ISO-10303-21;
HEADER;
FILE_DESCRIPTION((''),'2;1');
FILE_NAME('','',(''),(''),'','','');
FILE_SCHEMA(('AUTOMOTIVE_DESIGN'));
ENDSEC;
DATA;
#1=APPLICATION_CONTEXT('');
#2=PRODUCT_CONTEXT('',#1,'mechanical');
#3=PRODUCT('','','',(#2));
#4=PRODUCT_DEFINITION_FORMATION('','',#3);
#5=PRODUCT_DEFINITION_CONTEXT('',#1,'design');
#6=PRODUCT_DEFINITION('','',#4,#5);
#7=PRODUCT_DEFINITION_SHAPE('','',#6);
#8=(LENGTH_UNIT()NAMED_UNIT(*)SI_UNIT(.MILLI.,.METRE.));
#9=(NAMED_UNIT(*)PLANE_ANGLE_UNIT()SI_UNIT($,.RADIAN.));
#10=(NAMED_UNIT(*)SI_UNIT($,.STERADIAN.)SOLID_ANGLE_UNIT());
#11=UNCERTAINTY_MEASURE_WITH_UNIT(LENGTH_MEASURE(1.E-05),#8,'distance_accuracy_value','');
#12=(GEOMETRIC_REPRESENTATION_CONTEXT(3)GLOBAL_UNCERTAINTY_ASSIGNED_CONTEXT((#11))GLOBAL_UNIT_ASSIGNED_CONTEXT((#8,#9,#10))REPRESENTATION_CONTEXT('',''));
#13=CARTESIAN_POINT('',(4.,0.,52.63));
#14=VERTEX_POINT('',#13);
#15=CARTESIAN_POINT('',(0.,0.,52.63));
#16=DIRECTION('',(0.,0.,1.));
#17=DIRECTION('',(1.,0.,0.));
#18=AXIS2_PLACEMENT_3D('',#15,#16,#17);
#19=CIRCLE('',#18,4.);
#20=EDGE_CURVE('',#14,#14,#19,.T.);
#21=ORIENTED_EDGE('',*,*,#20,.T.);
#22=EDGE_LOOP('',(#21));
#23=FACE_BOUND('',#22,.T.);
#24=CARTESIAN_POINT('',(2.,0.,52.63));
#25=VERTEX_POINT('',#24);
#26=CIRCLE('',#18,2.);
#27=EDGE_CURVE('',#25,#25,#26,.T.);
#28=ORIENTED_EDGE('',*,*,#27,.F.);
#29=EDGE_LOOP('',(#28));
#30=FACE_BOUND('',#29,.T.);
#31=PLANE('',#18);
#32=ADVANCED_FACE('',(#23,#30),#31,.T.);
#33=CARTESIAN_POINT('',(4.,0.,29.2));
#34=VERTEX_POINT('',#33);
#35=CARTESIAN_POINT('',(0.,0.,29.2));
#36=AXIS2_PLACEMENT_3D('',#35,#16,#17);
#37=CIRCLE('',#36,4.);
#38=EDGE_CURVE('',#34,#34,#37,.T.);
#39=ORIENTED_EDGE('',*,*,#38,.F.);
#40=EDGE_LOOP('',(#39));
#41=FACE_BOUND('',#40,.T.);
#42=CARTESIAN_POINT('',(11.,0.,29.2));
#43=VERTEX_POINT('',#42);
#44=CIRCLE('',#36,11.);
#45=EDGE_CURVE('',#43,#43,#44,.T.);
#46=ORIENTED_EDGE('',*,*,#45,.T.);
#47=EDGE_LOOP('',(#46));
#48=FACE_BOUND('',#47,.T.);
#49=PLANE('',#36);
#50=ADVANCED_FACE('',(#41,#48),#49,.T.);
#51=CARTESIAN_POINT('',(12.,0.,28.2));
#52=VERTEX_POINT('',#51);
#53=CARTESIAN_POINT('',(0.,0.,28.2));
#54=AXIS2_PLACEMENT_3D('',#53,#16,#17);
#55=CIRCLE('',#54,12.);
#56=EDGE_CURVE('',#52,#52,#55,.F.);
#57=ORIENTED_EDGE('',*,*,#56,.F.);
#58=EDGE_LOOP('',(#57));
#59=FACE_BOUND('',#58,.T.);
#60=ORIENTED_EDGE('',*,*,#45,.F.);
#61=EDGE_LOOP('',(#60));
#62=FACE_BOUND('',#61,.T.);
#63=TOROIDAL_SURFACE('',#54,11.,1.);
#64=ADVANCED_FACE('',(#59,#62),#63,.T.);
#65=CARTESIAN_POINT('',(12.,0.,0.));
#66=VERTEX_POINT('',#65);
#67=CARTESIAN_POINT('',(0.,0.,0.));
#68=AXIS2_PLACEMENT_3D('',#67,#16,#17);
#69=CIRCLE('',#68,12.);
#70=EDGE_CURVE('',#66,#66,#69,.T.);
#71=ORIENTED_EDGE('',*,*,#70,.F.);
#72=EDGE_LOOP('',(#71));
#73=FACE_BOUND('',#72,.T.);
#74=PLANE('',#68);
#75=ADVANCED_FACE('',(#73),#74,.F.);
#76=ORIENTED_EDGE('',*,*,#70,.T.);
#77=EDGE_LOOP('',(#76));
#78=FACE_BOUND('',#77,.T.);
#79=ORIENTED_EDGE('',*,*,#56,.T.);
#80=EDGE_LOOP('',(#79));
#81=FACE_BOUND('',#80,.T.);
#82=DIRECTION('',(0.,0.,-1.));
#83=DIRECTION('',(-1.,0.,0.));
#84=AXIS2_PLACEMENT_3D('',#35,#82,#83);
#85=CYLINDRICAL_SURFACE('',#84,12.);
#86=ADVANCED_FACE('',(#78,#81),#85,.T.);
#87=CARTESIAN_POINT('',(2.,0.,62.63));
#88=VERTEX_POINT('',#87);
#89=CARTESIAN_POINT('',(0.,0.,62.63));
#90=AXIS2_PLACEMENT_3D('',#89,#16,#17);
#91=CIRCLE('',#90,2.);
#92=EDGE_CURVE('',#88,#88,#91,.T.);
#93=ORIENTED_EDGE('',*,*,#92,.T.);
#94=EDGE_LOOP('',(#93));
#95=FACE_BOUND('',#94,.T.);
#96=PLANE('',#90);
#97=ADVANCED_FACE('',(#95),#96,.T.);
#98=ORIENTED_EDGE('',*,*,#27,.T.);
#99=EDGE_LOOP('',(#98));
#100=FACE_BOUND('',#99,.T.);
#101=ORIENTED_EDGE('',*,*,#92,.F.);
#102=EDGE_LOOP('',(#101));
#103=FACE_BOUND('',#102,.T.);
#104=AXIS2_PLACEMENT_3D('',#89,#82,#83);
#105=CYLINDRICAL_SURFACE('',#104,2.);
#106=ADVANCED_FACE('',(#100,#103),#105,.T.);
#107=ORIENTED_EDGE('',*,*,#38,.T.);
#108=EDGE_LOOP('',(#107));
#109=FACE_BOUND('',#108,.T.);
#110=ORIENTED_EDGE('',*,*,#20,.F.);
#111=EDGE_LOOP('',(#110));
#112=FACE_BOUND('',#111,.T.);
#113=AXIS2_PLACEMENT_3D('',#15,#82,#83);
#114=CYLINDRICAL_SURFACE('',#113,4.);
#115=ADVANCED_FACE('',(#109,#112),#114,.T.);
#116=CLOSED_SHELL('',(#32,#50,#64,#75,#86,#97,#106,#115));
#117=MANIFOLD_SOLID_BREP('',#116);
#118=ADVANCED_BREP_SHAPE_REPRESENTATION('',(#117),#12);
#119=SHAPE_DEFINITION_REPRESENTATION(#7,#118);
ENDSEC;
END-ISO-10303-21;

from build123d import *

# Parameters (mm, degrees)
ESQUISSE1_R      = 12
EXTRUSION1_DEPTH = 29.2
CONG_1_R         = 1
ESQUISSE2_R      = 4
EXTRUSION2_DEPTH = 23.43
ESQUISSE3_R      = 2
EXTRUSION3_DEPTH = 10


with BuildPart() as part:
    # Esquisse1 → Extrusion1 (new body)
    with BuildSketch(Plane.XY):
        Circle(ESQUISSE1_R)
    extrude(amount=EXTRUSION1_DEPTH)

    # Congé1
    cong_1_edges = [part.edges().sort_by_distance(p)[0] for p in [
        (-12, 0, 29.2),
    ]]
    fillet(cong_1_edges, radius=CONG_1_R)

    # Esquisse2 → Extrusion2 (add)
    with BuildSketch(Plane.XY.offset(29.2)):
        Circle(ESQUISSE2_R)
    extrude(amount=EXTRUSION2_DEPTH)

    # Esquisse3 → Extrusion3 (add)
    with BuildSketch(Plane.XY.offset(52.63)):
        Circle(ESQUISSE3_R)
    extrude(amount=EXTRUSION3_DEPTH)


solid = part.part
